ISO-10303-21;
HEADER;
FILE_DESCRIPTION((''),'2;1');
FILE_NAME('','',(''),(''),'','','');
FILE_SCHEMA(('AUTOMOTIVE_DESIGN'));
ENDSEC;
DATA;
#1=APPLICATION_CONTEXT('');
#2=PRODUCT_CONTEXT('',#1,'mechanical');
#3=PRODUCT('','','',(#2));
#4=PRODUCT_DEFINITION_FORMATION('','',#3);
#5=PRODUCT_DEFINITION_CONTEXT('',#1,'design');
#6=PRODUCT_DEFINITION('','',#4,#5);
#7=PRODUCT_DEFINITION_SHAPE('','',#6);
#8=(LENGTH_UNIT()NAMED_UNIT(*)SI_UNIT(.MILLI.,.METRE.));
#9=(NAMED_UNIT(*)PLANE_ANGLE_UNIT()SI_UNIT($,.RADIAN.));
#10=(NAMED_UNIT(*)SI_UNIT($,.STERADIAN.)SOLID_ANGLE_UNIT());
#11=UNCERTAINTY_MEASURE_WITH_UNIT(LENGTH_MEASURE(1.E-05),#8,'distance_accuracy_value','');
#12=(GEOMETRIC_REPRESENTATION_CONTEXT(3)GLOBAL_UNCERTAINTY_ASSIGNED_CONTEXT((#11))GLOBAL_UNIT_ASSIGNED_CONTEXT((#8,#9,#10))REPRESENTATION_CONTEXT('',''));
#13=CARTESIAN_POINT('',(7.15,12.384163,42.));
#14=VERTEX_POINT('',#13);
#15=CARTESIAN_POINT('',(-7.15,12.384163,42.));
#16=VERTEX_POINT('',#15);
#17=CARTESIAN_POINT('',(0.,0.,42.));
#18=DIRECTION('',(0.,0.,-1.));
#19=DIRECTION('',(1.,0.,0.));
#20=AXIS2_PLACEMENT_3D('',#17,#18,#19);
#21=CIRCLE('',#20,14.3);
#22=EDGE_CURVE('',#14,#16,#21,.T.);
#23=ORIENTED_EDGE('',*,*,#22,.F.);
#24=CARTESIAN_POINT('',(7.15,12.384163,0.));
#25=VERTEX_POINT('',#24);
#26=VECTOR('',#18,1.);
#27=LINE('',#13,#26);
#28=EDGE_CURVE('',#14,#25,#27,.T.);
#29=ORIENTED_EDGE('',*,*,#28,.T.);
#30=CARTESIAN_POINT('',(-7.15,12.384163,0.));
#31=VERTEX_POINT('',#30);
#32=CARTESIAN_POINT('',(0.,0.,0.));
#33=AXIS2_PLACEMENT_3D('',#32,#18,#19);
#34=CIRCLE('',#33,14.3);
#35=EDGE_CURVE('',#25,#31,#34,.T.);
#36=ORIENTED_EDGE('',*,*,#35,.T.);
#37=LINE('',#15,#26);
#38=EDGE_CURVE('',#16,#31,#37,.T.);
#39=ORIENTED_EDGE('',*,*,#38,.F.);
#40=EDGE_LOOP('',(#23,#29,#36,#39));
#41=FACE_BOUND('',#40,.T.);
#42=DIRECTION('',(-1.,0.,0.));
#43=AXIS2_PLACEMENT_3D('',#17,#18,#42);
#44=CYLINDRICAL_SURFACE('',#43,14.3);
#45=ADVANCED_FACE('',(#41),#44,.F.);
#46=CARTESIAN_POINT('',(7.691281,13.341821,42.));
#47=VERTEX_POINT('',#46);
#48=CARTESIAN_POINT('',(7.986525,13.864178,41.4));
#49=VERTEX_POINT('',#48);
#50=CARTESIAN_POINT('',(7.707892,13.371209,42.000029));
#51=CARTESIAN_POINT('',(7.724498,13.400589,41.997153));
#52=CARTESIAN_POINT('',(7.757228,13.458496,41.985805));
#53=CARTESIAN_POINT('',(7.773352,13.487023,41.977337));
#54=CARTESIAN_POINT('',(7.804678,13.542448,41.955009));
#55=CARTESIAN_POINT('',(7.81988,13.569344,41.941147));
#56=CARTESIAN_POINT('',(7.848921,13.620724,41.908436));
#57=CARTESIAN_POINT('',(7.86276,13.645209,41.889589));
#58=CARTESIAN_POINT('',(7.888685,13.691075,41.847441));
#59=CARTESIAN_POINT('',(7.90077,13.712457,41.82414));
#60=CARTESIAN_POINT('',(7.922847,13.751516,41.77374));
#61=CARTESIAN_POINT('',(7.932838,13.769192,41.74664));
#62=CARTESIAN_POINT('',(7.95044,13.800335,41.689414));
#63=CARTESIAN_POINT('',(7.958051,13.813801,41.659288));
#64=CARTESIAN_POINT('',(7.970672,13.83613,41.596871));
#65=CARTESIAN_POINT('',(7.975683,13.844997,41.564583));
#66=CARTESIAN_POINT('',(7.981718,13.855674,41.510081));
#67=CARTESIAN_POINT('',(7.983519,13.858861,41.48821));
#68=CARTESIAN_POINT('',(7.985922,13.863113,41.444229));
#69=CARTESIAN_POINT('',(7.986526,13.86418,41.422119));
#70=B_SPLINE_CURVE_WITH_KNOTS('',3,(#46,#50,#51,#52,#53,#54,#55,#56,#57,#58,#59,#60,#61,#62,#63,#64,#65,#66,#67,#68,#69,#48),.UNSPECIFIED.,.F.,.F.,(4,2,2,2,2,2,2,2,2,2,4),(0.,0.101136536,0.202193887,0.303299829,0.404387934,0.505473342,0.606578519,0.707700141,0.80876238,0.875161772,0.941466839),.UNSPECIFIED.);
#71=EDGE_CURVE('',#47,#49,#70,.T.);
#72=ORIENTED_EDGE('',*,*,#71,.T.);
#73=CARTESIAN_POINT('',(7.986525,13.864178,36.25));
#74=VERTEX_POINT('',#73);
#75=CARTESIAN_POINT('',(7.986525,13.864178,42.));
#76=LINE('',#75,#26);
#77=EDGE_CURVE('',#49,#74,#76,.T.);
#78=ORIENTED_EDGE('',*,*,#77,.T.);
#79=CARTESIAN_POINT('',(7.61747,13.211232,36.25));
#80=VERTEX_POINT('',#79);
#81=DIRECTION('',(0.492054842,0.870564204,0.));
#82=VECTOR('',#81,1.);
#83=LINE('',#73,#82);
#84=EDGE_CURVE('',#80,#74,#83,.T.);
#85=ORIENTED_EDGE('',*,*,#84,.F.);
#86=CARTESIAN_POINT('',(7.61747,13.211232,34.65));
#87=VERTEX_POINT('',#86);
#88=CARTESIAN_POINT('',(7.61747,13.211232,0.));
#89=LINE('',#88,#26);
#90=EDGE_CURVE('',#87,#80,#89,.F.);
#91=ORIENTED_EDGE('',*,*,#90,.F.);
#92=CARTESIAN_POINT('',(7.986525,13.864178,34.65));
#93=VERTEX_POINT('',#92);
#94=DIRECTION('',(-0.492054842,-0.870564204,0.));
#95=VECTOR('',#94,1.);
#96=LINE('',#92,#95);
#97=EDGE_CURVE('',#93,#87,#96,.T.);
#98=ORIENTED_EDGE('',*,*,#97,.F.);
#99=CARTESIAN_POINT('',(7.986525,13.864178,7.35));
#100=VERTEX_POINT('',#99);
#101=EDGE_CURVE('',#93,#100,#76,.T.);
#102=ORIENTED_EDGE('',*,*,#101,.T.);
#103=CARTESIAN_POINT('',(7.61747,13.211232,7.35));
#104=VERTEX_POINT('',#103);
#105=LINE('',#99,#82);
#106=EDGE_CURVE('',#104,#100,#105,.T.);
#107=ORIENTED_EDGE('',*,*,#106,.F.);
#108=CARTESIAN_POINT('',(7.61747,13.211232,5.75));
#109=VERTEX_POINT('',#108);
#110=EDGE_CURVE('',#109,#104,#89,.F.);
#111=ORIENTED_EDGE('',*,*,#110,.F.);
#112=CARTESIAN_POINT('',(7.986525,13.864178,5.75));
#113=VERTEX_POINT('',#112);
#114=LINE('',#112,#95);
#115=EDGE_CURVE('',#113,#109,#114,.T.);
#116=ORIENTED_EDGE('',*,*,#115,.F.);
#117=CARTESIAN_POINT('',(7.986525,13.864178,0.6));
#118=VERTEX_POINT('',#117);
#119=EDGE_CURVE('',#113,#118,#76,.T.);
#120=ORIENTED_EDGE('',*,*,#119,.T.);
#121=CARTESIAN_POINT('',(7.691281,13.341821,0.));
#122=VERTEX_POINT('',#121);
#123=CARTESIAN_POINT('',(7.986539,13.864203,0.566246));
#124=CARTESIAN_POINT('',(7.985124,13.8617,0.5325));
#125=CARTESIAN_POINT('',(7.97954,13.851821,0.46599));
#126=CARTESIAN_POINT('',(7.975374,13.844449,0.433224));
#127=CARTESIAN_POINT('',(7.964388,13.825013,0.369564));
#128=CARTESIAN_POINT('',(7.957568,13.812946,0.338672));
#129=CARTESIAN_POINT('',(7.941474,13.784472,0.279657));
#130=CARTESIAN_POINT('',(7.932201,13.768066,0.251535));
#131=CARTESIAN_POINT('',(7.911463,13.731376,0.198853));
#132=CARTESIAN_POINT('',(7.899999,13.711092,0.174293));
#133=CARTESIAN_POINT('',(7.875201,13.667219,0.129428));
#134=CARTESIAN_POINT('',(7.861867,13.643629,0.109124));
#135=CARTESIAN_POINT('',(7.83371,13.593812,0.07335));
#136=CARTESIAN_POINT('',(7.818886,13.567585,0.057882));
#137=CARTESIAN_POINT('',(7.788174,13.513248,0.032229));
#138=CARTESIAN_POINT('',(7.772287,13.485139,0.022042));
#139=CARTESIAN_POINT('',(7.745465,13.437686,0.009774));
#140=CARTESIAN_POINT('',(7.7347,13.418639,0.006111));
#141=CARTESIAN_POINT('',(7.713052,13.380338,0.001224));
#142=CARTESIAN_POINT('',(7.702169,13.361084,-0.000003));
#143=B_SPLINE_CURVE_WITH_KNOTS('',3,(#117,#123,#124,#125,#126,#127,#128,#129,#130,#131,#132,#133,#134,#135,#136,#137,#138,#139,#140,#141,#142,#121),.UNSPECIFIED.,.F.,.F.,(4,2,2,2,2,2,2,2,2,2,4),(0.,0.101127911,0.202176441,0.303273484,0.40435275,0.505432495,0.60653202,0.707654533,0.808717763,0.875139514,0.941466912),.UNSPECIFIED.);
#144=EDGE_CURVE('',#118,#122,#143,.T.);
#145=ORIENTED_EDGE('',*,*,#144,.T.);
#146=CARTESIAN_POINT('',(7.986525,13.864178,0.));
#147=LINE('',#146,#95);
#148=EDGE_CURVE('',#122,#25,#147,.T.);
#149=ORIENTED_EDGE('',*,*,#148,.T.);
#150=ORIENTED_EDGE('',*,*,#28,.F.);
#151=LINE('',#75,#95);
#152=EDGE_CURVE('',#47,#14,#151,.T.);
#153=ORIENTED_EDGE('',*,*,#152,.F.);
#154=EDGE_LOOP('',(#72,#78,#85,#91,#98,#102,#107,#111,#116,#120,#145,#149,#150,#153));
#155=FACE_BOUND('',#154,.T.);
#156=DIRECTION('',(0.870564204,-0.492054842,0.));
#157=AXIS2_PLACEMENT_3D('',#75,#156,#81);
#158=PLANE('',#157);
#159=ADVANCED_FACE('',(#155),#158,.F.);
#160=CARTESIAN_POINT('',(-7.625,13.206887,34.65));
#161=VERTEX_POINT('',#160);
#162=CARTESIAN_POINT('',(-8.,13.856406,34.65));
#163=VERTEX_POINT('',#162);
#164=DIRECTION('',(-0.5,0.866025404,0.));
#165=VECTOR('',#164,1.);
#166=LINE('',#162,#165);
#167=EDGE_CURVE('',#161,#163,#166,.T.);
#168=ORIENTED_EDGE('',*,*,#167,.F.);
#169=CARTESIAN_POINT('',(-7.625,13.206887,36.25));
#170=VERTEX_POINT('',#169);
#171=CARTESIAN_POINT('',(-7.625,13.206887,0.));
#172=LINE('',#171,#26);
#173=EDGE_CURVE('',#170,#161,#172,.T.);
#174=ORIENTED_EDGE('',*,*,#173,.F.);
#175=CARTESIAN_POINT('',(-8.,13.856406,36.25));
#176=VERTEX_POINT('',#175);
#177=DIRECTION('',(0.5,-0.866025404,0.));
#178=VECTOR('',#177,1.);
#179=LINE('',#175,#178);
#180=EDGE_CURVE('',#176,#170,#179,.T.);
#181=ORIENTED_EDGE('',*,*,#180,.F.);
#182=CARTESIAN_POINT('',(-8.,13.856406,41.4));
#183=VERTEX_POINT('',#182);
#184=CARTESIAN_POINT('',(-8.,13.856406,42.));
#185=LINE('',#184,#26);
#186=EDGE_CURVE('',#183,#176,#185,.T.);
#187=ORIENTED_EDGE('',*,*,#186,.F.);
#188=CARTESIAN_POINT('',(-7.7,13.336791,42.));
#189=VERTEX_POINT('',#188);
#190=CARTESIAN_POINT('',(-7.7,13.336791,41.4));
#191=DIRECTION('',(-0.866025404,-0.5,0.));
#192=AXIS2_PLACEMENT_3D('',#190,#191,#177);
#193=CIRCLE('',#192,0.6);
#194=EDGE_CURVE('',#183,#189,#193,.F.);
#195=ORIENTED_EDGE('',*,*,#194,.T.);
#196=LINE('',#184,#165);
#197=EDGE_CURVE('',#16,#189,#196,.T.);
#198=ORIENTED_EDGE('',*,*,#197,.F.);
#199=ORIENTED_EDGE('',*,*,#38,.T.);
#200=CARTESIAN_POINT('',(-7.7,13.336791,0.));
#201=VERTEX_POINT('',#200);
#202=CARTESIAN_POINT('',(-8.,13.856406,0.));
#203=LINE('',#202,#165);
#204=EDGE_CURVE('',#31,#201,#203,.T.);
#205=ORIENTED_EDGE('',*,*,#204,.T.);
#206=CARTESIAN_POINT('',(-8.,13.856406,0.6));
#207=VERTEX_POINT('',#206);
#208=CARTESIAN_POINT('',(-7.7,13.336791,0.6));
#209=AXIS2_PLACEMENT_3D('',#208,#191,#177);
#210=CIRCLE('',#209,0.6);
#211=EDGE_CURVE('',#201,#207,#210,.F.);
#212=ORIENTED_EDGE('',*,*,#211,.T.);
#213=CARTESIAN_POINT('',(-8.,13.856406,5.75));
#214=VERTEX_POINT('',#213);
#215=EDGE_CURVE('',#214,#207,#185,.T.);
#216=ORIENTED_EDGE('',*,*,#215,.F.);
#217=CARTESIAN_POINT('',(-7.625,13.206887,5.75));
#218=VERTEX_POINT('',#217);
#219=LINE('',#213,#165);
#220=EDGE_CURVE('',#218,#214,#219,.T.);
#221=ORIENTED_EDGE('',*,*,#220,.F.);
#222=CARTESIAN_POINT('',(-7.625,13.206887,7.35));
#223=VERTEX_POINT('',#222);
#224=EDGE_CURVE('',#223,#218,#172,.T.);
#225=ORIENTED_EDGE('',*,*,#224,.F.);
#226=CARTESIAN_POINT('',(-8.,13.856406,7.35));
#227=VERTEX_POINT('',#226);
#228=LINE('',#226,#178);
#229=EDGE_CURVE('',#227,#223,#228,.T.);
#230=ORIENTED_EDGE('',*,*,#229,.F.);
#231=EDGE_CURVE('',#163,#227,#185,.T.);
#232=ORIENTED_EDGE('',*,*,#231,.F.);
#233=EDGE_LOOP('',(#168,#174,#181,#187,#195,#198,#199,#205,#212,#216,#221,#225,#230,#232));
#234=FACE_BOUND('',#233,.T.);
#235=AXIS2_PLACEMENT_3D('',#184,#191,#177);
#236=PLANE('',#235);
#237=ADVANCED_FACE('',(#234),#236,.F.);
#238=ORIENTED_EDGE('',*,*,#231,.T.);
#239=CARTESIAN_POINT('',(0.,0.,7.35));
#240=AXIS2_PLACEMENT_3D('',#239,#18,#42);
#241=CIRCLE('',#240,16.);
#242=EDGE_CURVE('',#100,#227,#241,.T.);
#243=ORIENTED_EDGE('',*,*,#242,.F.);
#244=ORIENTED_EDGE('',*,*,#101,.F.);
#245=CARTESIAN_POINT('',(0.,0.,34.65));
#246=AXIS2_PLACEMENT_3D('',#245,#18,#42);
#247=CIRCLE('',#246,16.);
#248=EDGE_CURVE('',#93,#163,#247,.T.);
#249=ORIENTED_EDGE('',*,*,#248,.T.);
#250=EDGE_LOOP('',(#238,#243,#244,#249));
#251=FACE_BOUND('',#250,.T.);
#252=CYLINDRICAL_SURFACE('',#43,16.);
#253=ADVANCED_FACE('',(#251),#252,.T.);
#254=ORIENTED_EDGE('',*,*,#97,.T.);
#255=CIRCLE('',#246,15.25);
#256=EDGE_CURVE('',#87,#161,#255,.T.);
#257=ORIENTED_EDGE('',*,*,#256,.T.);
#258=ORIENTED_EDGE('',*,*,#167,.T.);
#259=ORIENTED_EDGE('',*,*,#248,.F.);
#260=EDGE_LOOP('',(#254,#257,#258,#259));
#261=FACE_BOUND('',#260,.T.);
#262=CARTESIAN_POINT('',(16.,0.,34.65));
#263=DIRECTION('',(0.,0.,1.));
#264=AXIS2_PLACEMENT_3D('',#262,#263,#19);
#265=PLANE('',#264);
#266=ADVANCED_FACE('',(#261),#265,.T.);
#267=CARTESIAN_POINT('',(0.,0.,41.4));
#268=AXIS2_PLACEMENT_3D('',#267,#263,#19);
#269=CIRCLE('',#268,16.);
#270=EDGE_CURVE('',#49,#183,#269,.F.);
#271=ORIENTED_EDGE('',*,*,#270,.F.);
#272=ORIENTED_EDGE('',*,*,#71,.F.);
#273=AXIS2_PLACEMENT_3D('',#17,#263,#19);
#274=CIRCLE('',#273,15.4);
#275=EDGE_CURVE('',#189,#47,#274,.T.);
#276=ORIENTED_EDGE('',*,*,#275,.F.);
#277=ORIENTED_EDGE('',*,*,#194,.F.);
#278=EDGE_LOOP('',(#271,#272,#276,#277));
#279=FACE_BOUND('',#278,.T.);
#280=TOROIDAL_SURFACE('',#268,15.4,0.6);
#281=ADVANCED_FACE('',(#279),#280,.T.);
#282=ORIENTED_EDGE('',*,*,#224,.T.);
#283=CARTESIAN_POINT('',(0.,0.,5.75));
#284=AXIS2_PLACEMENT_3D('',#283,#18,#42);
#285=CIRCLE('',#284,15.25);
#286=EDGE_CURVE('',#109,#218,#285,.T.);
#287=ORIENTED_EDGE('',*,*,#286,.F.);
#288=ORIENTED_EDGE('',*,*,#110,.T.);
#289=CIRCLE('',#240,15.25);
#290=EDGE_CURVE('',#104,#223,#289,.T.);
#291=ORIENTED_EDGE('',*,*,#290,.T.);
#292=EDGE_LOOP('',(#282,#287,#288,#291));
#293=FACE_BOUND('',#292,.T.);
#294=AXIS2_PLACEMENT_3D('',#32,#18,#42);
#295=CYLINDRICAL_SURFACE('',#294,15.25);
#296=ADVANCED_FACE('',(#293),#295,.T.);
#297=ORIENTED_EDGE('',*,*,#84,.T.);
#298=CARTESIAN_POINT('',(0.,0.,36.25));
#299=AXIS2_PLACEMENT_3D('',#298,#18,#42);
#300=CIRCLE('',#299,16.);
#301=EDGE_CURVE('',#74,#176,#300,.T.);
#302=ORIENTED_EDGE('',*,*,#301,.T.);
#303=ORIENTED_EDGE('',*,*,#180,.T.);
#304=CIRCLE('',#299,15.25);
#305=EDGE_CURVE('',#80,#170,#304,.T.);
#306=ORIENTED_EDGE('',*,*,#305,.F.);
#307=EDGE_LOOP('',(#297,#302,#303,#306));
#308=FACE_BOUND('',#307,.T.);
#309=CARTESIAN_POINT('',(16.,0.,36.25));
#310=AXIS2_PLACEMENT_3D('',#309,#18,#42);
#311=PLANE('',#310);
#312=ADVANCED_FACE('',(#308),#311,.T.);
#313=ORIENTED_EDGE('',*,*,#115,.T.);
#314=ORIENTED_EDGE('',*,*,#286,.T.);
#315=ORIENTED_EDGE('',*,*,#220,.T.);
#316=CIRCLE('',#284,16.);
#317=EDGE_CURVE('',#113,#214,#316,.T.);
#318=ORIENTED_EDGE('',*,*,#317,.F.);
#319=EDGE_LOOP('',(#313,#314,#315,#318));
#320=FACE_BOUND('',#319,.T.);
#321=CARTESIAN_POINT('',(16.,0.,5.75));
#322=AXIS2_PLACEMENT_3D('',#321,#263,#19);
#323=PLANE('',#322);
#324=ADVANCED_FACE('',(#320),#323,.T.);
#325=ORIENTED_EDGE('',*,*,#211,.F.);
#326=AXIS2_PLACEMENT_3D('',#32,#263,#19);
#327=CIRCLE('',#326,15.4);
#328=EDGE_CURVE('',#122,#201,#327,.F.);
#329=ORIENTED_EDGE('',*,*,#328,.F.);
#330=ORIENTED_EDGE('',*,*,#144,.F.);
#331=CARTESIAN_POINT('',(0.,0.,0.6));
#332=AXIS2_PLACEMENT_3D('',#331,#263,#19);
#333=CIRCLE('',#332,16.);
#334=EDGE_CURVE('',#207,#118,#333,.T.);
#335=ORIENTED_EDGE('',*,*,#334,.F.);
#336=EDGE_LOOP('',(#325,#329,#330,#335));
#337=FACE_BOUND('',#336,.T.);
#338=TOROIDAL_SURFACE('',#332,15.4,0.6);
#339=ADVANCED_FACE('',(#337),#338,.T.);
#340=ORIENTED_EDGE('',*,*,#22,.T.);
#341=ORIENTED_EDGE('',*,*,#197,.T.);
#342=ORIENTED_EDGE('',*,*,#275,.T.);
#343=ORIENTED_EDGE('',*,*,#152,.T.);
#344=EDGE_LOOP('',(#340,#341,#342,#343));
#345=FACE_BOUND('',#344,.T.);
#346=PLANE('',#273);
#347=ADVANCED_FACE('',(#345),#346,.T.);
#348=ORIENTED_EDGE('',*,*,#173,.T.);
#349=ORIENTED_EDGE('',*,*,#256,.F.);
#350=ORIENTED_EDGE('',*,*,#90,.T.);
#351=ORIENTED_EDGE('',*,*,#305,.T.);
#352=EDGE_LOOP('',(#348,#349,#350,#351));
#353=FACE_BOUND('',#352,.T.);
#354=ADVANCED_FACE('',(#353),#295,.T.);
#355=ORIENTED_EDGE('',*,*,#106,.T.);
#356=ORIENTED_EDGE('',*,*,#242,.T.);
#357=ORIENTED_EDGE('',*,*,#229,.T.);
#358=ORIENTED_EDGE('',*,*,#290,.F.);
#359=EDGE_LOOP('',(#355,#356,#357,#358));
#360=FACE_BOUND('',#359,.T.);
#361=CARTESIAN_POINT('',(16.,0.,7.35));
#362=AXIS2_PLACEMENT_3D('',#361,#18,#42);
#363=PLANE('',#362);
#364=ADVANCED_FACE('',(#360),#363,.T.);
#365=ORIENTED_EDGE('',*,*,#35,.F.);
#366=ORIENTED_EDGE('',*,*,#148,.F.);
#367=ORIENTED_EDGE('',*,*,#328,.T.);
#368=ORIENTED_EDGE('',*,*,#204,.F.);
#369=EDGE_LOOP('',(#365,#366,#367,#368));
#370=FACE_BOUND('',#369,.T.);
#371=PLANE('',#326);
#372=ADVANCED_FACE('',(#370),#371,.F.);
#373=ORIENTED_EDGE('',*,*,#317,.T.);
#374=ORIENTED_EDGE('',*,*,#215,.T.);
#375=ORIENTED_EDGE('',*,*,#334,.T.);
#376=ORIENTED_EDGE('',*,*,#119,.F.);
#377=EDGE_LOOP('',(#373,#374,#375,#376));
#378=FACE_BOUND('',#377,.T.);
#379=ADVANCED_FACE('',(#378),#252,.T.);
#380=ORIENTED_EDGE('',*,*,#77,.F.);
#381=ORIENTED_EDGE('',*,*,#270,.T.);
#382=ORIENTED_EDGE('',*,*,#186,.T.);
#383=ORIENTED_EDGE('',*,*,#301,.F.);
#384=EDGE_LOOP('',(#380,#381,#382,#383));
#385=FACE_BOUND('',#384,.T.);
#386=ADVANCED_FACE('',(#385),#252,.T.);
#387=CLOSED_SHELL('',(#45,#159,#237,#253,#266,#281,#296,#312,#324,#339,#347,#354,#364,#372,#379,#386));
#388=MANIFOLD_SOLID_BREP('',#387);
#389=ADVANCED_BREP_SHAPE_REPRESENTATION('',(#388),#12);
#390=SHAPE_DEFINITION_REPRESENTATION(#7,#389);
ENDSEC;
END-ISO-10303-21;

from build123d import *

# Parameters (mm, degrees)
BOSS_EXTRUDE1_DEPTH = 42
SKETCH2_W           = 0.75
SKETCH2_H           = 1.6
FILLET1_R           = 0.6


with BuildPart() as part:
    # Sketch1 → Boss-Extrude1 (new body)
    with BuildSketch(Plane.XY):
        with BuildLine():
            Line((-8, 13.856406461), (-7.15, 12.384163274))
            ThreePointArc((-7.15, 12.384163274), (0, -14.3), (7.15, 12.384163274))
            Line((7.15, 12.384163274), (7.986524529, 13.864177795))
            ThreePointArc((7.986524529, 13.864177795), (0.007777885, -15.99999811), (-8, 13.856406461))
        make_face()
    extrude(amount=BOSS_EXTRUDE1_DEPTH)

    # Sketch2 → Cut-Revolve1 (revolve, cut)
    with BuildSketch(Plane(origin=(0, 0, 0), x_dir=(1, 0, 0), z_dir=(0, 1, 0))):
        with Locations((15.625, -35.45)):
            Rectangle(SKETCH2_W, SKETCH2_H)
        with Locations((15.625, -6.55)):
            Rectangle(SKETCH2_W, SKETCH2_H)
    revolve(axis=Axis((0, 0, 0), (0, 0, 1)), mode=Mode.SUBTRACT)

    # Fillet1
    fillet1_edges = [part.edges().sort_by_distance(p)[0] for p in [
        (0.007777885, -15.99999811, 42),
        (0.007777885, -15.99999811, 0),
    ]]
    fillet(fillet1_edges, radius=FILLET1_R)


solid = part.part
